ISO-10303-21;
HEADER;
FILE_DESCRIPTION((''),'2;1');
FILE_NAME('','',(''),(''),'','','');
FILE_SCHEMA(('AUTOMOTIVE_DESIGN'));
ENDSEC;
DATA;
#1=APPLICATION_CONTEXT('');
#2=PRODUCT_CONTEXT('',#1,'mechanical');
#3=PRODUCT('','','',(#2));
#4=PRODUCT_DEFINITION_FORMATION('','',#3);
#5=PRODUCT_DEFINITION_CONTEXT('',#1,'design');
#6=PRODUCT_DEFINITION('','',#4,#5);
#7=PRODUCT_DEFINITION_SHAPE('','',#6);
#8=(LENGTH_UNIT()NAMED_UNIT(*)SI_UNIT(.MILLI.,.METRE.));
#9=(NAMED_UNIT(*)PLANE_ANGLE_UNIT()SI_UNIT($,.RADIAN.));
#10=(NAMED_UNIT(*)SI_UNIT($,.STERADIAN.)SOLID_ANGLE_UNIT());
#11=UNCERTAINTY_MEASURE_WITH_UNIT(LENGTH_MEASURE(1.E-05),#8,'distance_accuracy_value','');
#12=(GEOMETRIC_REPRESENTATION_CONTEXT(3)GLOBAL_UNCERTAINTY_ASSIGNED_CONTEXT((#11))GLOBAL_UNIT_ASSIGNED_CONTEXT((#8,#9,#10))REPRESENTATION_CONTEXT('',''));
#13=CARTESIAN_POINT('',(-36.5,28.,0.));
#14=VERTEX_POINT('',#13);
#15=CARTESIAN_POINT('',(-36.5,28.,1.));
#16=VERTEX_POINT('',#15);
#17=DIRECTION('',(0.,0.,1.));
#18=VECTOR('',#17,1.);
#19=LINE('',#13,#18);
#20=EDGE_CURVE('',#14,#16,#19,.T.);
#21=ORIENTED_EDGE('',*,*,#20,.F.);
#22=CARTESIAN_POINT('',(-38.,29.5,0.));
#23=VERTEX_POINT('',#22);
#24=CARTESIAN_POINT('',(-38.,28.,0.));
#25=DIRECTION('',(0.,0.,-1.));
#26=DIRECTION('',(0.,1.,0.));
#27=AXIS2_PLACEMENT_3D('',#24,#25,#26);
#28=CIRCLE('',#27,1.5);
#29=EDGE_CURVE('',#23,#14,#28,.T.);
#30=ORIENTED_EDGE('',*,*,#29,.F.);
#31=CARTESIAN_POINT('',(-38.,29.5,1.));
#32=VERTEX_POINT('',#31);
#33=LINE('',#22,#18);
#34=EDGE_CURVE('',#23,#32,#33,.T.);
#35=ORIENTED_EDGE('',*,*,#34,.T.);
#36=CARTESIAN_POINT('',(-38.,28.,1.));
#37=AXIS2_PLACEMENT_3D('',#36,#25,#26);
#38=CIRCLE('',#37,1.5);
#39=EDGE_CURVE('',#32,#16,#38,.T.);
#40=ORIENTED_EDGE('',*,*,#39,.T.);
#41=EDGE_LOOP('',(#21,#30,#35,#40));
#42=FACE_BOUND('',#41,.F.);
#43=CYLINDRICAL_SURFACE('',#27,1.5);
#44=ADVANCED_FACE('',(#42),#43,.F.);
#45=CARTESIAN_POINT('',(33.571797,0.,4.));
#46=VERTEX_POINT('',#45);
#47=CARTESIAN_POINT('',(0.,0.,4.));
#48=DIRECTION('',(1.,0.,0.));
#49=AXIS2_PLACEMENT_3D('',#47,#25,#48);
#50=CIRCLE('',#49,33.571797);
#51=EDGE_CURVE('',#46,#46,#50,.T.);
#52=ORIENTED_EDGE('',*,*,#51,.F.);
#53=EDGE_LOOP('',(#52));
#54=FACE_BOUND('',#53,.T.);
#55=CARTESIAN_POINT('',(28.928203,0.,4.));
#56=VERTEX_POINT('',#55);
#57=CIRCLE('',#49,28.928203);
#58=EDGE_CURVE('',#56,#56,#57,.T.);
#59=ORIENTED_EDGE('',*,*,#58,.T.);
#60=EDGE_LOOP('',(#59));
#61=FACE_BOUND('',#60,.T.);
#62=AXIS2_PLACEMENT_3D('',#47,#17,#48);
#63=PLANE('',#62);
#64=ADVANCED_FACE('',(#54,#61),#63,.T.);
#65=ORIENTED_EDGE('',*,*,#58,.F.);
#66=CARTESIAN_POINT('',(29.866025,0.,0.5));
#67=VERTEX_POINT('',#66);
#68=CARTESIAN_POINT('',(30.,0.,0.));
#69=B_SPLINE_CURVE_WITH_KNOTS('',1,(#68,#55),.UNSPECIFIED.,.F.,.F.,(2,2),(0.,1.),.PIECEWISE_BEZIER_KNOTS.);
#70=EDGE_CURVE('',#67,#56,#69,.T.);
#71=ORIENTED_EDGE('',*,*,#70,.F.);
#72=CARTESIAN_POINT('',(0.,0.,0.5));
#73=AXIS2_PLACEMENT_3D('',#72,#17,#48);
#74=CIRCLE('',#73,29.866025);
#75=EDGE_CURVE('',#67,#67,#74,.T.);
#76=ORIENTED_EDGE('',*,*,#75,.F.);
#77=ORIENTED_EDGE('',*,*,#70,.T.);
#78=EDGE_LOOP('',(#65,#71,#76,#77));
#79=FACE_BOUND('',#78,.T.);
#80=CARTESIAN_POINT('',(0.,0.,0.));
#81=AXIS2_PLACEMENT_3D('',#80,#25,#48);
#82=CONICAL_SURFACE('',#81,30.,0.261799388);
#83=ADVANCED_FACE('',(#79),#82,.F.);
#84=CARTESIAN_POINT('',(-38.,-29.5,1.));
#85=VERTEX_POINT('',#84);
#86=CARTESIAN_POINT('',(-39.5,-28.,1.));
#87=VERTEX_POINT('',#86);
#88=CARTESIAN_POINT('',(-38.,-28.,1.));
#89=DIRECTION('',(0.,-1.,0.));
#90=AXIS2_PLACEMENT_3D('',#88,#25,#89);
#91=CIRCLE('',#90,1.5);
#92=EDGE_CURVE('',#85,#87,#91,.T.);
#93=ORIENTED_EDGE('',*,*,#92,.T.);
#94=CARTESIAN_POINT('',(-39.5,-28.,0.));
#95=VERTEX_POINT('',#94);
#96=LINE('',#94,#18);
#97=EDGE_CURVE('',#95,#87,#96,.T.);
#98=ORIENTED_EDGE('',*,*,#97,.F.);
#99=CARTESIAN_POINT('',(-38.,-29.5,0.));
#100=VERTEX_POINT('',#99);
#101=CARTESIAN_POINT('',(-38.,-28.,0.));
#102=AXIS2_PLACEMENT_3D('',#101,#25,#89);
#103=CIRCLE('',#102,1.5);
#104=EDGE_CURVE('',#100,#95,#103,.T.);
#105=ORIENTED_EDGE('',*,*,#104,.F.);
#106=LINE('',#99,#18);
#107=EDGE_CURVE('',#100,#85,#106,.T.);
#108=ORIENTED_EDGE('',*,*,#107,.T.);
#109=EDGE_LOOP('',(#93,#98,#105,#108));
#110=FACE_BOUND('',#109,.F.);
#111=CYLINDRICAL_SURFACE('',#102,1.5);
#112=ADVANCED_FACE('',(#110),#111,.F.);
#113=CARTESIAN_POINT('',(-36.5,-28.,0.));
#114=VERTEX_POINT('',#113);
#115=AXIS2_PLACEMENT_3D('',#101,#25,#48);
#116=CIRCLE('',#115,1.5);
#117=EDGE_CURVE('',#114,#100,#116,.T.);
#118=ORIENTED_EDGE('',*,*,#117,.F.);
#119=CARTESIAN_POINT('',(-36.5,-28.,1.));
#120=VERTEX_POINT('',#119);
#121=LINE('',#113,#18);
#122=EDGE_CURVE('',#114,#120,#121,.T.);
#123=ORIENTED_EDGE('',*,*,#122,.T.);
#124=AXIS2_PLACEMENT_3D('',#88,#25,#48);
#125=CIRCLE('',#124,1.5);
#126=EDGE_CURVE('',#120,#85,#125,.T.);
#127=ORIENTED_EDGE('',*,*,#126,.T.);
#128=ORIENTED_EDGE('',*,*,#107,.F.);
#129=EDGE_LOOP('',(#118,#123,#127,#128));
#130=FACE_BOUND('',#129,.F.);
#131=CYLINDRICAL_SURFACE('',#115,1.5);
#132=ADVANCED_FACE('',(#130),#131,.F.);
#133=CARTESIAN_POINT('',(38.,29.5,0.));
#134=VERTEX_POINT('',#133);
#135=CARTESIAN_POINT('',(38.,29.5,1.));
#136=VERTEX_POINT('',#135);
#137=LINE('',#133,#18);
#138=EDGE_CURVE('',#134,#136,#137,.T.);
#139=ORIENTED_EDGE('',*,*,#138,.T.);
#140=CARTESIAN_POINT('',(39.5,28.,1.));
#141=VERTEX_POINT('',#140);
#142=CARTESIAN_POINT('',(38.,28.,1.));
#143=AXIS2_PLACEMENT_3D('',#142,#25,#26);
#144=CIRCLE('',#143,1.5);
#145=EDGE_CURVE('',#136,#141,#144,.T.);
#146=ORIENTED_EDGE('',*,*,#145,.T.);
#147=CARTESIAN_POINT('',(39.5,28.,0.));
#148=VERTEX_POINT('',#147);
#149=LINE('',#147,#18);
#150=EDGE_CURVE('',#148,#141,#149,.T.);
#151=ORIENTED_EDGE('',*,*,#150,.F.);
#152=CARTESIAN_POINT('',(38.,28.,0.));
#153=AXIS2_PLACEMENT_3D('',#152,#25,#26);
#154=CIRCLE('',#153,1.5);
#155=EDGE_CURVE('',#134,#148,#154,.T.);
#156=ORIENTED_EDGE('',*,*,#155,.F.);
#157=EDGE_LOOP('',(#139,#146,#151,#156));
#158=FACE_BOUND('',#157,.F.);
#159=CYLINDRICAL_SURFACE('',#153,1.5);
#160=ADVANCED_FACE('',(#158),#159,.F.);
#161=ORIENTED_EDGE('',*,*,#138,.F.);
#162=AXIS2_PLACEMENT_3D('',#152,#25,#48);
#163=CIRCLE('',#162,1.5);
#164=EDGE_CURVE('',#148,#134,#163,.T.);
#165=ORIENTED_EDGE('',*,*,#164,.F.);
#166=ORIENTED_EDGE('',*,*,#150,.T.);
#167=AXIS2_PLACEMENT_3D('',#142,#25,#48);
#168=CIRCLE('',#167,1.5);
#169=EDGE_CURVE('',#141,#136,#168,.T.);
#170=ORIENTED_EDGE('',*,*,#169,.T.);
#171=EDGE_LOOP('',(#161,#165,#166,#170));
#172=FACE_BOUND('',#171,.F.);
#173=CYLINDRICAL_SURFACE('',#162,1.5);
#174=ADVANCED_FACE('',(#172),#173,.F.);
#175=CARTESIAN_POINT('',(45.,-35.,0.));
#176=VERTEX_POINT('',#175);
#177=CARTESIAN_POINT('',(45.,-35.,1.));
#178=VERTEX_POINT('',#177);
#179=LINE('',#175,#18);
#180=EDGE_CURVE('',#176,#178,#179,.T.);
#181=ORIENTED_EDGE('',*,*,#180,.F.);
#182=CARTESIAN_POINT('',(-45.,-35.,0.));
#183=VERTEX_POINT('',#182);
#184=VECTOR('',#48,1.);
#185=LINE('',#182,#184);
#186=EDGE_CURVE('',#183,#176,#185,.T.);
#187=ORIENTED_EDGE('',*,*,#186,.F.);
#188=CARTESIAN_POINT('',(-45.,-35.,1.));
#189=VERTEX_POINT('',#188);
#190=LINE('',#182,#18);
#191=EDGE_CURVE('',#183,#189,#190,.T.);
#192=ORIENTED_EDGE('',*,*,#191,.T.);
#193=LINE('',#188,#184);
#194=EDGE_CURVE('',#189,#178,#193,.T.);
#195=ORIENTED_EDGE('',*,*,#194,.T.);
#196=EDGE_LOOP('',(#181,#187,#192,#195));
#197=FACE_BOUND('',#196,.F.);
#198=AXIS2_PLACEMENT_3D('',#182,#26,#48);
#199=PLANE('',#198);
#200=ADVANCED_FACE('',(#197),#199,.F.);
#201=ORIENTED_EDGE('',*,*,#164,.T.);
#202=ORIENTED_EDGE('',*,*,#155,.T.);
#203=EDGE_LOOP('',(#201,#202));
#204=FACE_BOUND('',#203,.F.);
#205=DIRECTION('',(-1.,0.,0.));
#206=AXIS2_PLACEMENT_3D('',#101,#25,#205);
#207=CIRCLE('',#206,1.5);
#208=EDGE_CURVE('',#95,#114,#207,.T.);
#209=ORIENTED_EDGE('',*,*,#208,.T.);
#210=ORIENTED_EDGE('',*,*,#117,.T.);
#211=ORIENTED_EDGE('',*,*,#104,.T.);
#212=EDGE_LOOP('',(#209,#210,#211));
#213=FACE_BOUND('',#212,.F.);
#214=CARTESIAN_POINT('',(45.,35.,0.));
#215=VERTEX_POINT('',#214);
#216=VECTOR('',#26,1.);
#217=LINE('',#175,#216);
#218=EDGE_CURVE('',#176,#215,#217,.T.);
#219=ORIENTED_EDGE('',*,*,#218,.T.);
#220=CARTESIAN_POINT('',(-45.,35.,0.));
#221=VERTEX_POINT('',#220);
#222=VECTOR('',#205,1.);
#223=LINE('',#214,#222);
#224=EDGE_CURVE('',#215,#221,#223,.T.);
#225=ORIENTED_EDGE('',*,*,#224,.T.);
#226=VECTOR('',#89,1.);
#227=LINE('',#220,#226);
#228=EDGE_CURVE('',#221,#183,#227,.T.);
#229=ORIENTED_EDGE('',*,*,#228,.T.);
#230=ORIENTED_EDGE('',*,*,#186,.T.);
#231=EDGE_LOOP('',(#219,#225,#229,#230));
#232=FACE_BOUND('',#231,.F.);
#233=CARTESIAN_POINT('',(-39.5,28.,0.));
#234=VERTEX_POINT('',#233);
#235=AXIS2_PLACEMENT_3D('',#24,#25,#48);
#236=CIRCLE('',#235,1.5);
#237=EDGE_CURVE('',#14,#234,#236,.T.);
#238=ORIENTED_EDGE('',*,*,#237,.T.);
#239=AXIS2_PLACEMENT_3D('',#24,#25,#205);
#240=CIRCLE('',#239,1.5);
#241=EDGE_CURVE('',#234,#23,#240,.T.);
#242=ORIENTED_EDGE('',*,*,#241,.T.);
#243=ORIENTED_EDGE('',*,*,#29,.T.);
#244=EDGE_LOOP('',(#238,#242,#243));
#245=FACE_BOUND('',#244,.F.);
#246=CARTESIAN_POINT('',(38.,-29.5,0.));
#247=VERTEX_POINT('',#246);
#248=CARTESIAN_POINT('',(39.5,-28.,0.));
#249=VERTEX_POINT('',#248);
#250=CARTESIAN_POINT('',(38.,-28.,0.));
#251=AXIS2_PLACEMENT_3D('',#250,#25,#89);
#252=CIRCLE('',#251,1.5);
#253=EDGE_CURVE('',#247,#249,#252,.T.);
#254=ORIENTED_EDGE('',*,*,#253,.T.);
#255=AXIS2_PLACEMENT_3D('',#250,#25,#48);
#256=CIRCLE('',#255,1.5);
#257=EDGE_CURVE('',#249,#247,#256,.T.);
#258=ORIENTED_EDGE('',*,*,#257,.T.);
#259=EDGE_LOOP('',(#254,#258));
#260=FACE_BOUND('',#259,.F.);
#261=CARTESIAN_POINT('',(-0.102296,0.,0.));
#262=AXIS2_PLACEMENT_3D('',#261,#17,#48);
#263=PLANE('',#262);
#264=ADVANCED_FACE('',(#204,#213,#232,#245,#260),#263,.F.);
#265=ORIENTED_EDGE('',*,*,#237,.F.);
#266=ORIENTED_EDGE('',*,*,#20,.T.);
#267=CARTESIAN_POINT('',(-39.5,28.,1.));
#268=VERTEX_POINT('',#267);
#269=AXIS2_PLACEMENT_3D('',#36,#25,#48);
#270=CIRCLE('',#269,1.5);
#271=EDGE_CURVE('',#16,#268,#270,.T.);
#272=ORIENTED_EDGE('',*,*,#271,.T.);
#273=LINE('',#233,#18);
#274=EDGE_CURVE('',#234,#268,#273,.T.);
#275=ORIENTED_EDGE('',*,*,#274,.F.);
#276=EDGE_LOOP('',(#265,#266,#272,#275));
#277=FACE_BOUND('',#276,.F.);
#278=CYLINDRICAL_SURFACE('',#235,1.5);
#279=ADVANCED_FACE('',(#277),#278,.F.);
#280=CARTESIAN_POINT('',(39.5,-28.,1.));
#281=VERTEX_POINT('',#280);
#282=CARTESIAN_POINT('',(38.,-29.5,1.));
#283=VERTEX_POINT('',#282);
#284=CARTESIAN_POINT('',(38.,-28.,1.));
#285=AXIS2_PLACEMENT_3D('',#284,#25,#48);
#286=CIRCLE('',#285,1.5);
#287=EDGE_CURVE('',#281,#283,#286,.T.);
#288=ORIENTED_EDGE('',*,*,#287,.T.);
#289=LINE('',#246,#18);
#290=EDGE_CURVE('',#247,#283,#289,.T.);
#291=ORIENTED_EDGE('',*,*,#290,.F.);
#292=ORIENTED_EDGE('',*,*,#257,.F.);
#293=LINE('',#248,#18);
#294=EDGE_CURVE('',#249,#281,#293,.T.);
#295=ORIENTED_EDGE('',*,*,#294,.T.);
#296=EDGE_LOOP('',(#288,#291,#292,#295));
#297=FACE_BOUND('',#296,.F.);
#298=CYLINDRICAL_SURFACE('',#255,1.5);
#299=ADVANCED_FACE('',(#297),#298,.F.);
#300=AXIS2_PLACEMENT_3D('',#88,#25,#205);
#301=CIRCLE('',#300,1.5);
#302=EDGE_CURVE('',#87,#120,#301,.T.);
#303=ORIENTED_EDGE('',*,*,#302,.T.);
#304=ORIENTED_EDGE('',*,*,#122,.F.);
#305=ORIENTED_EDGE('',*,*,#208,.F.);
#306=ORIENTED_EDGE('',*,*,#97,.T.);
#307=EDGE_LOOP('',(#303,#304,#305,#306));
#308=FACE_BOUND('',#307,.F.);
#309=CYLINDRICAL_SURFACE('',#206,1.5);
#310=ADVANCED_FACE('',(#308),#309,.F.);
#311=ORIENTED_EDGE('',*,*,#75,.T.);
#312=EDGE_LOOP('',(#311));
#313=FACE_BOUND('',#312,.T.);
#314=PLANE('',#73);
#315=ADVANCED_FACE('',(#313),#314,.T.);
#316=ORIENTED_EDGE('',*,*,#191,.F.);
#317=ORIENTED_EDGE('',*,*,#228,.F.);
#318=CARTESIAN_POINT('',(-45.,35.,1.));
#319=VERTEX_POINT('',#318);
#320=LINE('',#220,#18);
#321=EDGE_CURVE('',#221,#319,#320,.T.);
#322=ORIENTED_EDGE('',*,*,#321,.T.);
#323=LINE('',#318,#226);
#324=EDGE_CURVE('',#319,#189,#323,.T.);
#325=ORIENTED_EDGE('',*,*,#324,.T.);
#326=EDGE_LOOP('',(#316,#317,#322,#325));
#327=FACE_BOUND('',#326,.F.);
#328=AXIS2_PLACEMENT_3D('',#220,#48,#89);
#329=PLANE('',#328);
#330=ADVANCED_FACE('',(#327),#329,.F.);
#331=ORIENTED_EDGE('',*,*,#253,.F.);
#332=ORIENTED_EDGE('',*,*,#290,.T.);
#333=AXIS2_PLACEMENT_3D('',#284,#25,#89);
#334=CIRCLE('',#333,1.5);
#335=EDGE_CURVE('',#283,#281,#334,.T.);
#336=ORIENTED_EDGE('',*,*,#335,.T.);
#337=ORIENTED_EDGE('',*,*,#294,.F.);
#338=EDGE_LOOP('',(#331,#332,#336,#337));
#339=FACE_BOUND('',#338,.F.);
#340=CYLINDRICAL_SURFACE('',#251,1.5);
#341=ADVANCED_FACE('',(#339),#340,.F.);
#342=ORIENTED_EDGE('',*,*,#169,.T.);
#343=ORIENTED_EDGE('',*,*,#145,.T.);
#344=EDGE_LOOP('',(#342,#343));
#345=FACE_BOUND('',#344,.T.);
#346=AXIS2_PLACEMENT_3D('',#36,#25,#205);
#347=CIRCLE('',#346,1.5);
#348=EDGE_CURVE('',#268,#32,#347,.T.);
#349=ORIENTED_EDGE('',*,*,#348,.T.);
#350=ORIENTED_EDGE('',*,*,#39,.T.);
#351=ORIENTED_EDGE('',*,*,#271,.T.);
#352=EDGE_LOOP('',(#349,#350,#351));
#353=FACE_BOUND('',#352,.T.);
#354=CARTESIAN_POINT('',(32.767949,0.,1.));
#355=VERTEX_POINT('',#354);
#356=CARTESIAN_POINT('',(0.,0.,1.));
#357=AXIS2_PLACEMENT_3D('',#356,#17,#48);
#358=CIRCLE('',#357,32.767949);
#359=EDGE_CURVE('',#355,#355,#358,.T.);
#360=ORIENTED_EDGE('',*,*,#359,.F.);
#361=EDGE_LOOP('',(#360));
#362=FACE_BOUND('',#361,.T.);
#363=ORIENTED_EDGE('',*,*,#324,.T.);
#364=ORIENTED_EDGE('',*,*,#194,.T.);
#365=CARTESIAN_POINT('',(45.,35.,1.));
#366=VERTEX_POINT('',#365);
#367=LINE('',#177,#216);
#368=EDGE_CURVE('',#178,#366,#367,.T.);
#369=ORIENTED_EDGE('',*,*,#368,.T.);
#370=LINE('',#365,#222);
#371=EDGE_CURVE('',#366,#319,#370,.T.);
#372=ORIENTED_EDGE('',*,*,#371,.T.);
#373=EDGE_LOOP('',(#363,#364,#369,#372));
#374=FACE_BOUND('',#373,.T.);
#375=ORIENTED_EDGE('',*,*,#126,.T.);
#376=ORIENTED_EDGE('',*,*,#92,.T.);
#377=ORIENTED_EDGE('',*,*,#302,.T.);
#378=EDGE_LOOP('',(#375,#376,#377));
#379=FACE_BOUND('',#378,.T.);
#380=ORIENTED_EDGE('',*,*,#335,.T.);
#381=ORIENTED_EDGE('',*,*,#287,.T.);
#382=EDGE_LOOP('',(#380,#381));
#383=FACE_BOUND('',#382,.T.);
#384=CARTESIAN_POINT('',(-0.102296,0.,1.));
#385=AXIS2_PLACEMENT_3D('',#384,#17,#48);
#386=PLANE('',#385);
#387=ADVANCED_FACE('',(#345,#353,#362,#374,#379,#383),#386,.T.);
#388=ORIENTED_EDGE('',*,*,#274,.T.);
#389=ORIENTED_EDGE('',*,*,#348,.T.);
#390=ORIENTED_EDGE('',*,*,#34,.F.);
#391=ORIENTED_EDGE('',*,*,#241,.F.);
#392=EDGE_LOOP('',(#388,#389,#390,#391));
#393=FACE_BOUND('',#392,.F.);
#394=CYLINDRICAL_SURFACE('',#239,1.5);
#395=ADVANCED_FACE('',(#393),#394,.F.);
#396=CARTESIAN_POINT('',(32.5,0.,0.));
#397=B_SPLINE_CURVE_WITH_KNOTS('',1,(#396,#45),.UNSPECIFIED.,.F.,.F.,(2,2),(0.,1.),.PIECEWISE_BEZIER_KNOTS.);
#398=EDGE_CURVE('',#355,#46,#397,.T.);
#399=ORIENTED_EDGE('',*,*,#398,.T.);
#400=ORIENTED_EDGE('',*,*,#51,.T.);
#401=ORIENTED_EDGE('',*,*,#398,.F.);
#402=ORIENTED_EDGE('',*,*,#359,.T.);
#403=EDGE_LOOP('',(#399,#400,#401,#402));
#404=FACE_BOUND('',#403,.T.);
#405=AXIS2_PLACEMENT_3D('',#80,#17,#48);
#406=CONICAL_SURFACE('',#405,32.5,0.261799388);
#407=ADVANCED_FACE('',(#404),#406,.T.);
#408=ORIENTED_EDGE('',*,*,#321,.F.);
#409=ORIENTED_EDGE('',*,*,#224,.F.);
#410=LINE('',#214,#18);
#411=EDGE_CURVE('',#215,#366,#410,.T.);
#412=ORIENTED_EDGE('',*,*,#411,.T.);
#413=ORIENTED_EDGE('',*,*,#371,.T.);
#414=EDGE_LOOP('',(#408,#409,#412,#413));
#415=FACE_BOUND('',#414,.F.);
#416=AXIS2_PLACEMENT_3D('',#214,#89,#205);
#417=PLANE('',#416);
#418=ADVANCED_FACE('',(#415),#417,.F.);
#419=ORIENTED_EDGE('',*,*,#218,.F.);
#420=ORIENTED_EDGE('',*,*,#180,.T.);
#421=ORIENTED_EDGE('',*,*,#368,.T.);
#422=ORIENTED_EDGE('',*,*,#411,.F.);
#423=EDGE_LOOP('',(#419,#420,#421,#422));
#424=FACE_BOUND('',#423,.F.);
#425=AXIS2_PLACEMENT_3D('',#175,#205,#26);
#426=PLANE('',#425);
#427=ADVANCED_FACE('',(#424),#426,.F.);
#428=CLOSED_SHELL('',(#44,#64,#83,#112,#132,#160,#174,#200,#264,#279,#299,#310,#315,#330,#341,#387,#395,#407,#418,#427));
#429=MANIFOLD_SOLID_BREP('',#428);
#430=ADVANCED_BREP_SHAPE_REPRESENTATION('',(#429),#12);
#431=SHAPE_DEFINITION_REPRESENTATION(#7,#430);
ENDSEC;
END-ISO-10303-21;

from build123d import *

# Parameters (mm, degrees)
F0_R     = 32.5
F1_DEPTH = 1
F0_R_2   = 30
F2_DEPTH = 0.5
F3_DEPTH = 4
F3_TAPER = -15


with BuildPart() as f1:
    # F0 (on Top) → F1 (new body)
    with BuildSketch(Plane.XY):
        with BuildLine():
            Line((-38, -35), (38, -35))
            Line((38, -35), (38, -29.5))
            ThreePointArc((38, -29.5), (36.9393398282, -26.9393398282), (39.5, -28))
            Line((39.5, -28), (45, -28))
            Line((45, -28), (45, 28))
            Line((45, 28), (39.5, 28))
            ThreePointArc((39.5, 28), (36.9393398282, 26.9393398282), (38, 29.5))
            Line((38, 29.5), (38, 35))
            Line((38, 35), (-38, 35))
            Line((-38, 35), (-38, 29.5))
            ThreePointArc((-38, 29.5), (-36.9393398282, 29.0606601718), (-36.5, 28))
            ThreePointArc((-36.5, 28), (-38, 26.5), (-39.5, 28))
            Line((-39.5, 28), (-45, 28))
            Line((-45, 28), (-45, -28))
            Line((-45, -28), (-39.5, -28))
            ThreePointArc((-39.5, -28), (-38, -26.5), (-36.5, -28))
            ThreePointArc((-36.5, -28), (-36.9393398282, -29.0606601718), (-38, -29.5))
            Line((-38, -29.5), (-38, -35))
        make_face()
        Circle(F0_R, mode=Mode.SUBTRACT)
        with BuildLine():
            Line((-45, 35), (-45, 28))
            Line((-45, 28), (-39.5, 28))
            ThreePointArc((-39.5, 28), (-39.0606601718, 29.0606601718), (-38, 29.5))
            Line((-38, 29.5), (-38, 35))
            Line((-38, 35), (-45, 35))
        make_face()
        with BuildLine():
            Line((39.5, 28), (45, 28))
            Line((45, 28), (45, 35))
            Line((45, 35), (38, 35))
            Line((38, 35), (38, 29.5))
            ThreePointArc((38, 29.5), (39.0606601718, 29.0606601718), (39.5, 28))
        make_face()
        with BuildLine():
            Line((38, -35), (45, -35))
            Line((45, -35), (45, -28))
            Line((45, -28), (39.5, -28))
            ThreePointArc((39.5, -28), (39.0606601718, -29.0606601718), (38, -29.5))
            Line((38, -29.5), (38, -35))
        make_face()
        with BuildLine():
            Line((-45, -35), (-38, -35))
            Line((-38, -35), (-38, -29.5))
            ThreePointArc((-38, -29.5), (-39.0606601718, -29.0606601718), (-39.5, -28))
            Line((-39.5, -28), (-45, -28))
            Line((-45, -28), (-45, -35))
        make_face()
    extrude(amount=F1_DEPTH)



with BuildPart() as f2:
    # F0 (on Top) → F2 (new body)
    with BuildSketch(Plane.XY):
        Circle(F0_R_2)
    extrude(amount=F2_DEPTH)


with BuildPart() as f1_1:
    add(f1.part)

    add(f2.part)  # F3 merges F2
    # F0 (on Top) → F3 (join)
    with BuildSketch(Plane.XY):
        Circle(F0_R)
        Circle(F0_R_2, mode=Mode.SUBTRACT)
    extrude(amount=F3_DEPTH, taper=F3_TAPER)


solid = f1_1.part
